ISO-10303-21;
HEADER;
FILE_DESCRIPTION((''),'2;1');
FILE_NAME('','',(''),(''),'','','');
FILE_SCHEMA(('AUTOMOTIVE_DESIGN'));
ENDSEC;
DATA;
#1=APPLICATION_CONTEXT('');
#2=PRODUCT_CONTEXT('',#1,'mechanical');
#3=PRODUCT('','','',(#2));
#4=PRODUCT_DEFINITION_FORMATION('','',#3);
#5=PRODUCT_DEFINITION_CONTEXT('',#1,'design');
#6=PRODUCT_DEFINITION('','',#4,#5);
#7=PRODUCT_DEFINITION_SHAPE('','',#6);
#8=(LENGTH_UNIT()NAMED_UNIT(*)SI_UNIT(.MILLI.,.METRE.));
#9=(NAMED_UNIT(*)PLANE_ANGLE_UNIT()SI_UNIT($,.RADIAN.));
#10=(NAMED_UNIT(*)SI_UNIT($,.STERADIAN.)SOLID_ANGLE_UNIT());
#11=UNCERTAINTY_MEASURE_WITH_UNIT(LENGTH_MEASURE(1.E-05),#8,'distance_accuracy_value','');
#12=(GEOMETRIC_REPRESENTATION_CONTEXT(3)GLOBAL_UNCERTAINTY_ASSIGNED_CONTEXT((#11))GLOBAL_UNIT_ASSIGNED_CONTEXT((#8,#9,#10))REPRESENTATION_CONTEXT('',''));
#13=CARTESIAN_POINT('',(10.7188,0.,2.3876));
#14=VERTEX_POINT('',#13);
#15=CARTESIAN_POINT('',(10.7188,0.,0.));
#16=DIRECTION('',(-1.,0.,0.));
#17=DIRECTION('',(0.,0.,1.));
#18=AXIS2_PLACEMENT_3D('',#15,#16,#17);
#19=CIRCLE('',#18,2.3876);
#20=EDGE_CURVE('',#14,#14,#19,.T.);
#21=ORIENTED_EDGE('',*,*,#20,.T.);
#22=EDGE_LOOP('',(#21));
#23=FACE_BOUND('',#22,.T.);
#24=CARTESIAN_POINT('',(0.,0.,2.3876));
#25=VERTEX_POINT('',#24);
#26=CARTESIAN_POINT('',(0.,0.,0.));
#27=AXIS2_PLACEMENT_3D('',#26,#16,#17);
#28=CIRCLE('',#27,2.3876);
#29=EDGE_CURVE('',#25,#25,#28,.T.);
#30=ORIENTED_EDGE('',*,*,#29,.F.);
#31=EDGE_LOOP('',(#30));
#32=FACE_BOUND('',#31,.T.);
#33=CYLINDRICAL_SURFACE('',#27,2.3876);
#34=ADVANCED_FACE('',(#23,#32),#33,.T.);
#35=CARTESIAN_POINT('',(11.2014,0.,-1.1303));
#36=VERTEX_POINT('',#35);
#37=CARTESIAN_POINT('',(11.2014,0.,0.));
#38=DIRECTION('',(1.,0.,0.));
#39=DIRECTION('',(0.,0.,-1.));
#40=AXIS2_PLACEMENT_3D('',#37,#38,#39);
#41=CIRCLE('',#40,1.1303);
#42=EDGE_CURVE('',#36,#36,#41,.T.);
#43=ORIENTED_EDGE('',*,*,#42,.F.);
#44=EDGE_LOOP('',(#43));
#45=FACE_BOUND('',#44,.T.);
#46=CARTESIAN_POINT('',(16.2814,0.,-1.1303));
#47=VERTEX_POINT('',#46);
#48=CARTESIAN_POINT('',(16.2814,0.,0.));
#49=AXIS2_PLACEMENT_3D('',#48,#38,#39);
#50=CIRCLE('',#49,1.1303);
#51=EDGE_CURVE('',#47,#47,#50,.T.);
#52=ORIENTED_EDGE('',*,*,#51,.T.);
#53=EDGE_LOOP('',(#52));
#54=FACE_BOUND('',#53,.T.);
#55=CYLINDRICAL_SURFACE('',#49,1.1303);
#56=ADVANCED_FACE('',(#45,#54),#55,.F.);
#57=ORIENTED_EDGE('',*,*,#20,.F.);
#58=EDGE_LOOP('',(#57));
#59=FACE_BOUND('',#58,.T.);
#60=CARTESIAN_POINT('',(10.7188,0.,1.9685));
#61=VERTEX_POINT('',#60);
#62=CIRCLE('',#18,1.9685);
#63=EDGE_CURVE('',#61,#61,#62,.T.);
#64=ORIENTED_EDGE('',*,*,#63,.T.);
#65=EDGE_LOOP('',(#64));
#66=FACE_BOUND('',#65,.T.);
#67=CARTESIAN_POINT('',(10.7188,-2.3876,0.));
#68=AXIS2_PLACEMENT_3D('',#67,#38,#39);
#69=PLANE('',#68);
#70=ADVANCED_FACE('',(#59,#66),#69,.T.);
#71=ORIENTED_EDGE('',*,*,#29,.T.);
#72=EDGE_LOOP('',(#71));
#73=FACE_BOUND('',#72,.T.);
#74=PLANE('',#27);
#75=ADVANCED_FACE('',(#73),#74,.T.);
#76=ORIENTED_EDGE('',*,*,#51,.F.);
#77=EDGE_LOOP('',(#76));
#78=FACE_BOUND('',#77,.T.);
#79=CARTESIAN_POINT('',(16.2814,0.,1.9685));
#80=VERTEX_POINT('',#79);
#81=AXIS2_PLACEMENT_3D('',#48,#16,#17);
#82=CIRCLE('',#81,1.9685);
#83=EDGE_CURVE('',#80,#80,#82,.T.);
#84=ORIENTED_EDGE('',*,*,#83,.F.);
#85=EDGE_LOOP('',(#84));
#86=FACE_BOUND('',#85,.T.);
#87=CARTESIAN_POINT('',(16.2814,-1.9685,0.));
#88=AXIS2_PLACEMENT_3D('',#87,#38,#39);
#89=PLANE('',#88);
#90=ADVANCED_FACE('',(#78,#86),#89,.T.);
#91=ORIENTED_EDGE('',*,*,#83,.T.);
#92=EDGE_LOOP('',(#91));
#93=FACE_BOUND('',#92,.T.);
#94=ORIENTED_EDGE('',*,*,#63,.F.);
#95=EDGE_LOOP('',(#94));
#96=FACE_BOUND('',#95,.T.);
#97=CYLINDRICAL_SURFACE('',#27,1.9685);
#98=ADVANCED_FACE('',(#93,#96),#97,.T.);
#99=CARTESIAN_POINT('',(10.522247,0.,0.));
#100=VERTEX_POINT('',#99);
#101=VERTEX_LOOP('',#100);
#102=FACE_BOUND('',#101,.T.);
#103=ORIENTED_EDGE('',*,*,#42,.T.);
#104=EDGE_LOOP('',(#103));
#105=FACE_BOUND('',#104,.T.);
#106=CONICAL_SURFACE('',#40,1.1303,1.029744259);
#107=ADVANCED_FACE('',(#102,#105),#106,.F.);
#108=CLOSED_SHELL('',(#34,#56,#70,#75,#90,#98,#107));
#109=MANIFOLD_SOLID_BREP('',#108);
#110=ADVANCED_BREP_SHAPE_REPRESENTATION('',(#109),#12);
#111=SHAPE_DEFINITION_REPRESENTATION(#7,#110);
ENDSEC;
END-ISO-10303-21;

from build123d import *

# Parameters (mm, degrees)
F_4_40_TAPPED_HOLE2_D     = 2.2606
F_4_40_TAPPED_HOLE2_DEPTH = 5.08
F_4_40_TAPPED_HOLE2_TIP   = 0.679152758


with BuildPart() as part:
    # Sketch1 → Revolve1 (revolve)
    with BuildSketch(Plane.XY, mode=Mode.PRIVATE) as revolve1_sk:
        Polygon((0, 0), (0, -2.3876), (10.7188, -2.3876), (10.7188, -1.9685), (16.2814, -1.9685), (16.2814, 0), align=None)
    revolve(revolve1_sk.sketch.rotate(Axis((0, 0, 0), (1, 0, 0)), 270), axis=Axis((0, 0, 0), (1, 0, 0)))

    # #4-40 Tapped Hole2
    with Locations(Plane(origin=(16.2814, 0, 0), x_dir=(0, 0, -1), z_dir=(1, 0, 0))):
        with Locations((0, 0)):
            Hole(F_4_40_TAPPED_HOLE2_D / 2, depth=F_4_40_TAPPED_HOLE2_DEPTH)
            with Locations((0, 0, -(F_4_40_TAPPED_HOLE2_DEPTH + F_4_40_TAPPED_HOLE2_TIP / 2))):  # 118° drill point
                Cone(0, F_4_40_TAPPED_HOLE2_D / 2, F_4_40_TAPPED_HOLE2_TIP, mode=Mode.SUBTRACT)


solid = part.part
